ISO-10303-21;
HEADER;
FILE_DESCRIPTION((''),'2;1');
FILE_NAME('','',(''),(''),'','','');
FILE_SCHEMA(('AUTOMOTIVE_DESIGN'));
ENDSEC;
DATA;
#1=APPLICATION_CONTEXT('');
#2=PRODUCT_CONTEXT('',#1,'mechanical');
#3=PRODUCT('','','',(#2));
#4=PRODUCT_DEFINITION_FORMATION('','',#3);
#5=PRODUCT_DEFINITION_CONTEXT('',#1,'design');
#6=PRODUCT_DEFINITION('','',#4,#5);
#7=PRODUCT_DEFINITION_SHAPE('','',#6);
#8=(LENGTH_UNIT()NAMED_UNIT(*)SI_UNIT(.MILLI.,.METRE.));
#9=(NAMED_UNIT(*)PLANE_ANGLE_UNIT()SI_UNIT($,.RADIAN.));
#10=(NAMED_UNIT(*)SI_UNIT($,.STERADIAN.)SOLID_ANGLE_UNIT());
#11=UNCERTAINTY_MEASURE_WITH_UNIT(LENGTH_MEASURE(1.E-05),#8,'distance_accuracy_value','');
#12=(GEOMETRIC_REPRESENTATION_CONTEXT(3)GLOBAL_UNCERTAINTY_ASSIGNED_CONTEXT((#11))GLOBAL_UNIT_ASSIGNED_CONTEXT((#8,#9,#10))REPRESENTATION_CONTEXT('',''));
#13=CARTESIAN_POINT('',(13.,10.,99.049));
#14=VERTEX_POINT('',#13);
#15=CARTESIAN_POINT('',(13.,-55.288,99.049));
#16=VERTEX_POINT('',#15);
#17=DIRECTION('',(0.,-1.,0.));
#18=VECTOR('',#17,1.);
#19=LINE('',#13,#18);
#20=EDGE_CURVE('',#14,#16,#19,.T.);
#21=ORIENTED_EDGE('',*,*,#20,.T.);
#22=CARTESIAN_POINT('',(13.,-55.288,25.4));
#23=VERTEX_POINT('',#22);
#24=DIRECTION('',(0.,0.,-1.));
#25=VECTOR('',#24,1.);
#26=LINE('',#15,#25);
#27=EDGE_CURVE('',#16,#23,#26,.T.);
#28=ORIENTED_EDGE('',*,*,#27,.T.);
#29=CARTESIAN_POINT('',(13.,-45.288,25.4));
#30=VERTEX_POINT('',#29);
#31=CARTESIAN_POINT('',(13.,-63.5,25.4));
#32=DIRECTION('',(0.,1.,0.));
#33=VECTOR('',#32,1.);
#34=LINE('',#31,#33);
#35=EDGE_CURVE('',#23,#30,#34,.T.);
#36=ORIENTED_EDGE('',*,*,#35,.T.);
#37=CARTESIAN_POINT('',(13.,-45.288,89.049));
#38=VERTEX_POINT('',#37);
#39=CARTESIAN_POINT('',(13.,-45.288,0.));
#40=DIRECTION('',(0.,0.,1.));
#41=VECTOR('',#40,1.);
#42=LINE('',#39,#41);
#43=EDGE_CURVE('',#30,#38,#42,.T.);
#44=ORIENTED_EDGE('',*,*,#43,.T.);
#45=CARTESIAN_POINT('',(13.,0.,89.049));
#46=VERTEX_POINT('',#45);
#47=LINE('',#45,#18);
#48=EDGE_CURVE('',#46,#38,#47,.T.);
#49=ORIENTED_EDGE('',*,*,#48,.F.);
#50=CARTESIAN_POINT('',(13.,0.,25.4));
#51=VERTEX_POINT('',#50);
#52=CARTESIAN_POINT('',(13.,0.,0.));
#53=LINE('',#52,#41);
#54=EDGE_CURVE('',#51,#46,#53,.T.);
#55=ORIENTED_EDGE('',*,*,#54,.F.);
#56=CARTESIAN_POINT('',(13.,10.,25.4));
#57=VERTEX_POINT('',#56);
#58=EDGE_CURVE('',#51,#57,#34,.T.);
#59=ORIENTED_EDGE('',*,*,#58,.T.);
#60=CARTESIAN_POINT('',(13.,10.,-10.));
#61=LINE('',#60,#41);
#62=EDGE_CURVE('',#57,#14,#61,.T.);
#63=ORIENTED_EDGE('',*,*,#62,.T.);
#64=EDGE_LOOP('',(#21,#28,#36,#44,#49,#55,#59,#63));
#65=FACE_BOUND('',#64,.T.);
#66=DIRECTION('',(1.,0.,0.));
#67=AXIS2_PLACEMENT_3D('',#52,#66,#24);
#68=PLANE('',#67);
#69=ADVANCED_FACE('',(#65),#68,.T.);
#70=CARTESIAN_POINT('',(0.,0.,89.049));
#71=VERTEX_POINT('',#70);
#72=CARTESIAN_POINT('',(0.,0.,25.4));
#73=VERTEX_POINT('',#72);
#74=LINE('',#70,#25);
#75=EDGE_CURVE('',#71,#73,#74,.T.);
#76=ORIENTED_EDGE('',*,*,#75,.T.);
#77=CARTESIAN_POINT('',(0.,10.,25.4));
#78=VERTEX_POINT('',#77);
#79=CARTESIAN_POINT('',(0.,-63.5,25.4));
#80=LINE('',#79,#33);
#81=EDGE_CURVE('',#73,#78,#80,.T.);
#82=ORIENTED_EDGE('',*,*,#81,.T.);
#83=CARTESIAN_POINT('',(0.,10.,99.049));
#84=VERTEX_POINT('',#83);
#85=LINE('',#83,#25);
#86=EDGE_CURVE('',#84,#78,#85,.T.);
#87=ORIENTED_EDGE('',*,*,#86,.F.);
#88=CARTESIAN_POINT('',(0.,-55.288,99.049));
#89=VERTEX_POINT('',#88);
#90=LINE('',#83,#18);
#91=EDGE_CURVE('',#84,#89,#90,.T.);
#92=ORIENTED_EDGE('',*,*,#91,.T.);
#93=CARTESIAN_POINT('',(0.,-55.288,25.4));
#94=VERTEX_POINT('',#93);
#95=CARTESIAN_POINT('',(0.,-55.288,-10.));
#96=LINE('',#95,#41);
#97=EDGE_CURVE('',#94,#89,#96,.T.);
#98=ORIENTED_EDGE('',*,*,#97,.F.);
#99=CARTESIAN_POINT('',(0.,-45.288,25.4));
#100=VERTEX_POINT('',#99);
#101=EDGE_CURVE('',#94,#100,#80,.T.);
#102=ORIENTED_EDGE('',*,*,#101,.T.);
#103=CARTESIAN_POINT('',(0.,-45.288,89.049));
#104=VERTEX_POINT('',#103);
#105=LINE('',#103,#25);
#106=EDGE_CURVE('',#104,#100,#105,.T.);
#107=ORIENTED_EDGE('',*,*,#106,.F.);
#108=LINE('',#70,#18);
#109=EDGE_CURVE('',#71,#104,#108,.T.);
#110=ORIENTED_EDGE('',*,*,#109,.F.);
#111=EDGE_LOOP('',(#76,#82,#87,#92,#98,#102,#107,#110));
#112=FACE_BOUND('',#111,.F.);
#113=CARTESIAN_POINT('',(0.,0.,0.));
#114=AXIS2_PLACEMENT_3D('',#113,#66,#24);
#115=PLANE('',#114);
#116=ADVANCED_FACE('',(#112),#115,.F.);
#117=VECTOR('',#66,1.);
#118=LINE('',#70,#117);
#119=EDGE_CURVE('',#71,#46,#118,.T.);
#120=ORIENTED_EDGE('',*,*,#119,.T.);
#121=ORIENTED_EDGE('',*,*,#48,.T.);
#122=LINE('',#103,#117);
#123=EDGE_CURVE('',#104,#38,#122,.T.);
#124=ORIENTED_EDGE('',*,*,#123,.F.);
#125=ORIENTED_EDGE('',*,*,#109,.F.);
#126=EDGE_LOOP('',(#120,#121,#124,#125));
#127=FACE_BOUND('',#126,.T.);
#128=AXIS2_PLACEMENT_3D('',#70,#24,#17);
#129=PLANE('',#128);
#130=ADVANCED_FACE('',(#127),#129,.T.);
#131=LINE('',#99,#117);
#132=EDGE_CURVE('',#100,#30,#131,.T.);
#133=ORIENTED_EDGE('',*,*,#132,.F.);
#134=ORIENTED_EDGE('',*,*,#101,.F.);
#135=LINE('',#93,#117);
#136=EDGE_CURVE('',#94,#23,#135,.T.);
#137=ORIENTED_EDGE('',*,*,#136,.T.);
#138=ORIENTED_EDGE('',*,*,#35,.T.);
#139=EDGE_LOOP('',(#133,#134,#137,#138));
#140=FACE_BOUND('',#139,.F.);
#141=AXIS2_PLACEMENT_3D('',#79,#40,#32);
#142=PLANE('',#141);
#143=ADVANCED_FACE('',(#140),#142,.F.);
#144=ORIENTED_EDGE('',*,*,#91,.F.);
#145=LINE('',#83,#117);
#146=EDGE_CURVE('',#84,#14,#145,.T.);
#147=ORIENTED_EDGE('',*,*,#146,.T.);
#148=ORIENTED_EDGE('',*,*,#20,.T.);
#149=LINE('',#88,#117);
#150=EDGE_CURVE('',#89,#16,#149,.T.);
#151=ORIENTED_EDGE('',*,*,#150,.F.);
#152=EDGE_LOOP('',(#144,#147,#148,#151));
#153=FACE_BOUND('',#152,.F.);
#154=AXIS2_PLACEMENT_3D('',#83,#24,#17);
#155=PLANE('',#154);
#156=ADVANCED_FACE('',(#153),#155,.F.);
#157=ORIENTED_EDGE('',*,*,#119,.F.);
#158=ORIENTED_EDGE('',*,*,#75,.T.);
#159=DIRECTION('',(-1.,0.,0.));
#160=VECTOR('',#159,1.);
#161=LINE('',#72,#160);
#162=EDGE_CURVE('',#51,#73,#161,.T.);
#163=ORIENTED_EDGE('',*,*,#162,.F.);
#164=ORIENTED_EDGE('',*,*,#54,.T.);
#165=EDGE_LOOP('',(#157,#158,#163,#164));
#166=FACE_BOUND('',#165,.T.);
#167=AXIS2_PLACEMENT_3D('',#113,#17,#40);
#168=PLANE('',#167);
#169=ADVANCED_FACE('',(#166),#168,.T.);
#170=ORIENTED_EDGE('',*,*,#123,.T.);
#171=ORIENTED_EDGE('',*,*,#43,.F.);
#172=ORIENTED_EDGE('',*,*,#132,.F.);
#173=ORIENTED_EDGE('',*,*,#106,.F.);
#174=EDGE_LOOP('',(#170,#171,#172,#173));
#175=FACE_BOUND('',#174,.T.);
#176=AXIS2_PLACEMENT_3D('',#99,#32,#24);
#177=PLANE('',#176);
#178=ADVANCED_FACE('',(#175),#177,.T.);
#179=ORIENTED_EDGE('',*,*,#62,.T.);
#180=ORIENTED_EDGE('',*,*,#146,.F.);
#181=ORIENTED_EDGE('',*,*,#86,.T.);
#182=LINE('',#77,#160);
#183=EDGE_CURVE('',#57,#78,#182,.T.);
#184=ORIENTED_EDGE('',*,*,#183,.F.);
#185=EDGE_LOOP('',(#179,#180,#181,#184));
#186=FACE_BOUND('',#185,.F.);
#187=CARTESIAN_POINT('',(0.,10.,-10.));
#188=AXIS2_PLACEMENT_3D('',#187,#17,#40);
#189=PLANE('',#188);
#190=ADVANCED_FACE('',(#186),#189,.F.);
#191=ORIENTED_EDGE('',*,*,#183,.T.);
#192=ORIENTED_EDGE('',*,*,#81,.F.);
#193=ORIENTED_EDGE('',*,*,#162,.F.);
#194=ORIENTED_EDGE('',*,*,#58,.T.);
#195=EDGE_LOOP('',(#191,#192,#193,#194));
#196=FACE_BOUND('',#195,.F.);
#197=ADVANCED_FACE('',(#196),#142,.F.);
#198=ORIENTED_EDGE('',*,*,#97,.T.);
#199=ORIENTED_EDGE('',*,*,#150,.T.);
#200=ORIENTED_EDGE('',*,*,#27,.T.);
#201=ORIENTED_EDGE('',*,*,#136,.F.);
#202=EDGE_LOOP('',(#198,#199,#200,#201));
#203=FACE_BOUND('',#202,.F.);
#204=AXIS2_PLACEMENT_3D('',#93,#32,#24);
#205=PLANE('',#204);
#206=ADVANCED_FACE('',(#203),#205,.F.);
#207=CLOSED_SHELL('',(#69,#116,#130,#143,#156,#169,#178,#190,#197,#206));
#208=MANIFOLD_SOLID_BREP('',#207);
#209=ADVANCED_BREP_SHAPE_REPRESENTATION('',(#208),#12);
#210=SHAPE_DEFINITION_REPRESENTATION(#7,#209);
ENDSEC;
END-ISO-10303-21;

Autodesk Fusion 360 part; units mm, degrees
sketch "Sketch1" plane through (0, 0, 0) normal (1, 0, 0) x (0, 0, -1)
  line L0 (-25.4, 25.4) -> (25.4, 25.4)
  line L1 (25.4, 25.4) -> (25.4, -63.5)
  line L2 (25.4, -63.5) -> (-25.4, -63.5)
  line L3 (-25.4, -63.5) -> (-25.4, 25.4)
sketch "Sketch2" plane through (0, 0, 0) normal (1, 0, 0) x (0, 0, -1)
  line L0 (0, 0) -> (-89.049, 0)
  line L1 (-89.049, 0) -> (-89.049, -45.288)
  line L2 (-89.049, -45.288) -> (0, -45.288)
  line L3 (0, -45.288) -> (0, 0)
  line L4 (10, 10) -> (-99.049, 10)
  line L5 (-99.049, 10) -> (-99.049, -55.288)
  line L6 (-99.049, -55.288) -> (10, -55.288)
  line L7 (10, -55.288) -> (10, 10)
  line L8 (-25.4, -63.5) -> (-25.4, 25.4)
  dimension "d1" = 89.049
  dimension "d2" = 45.288
  dimension "d3" = 109.049
  dimension "d4" = 65.288
  dimension "d6" = 10
  dimension "d7" = 10
  dimension "d8" = 25.4
extrude "Extrude1" add sketch "Sketch2" along normal blind 13 contours L0 L2 L3 L4 L6 L7 L8 | L0 L1 L2 L4 L5 L6 L8
extrude "Extrude2" cut sketch "Sketch1" along normal blind 13
sketch "Sketch3" plane through (0, 0, 0) normal (1, 0, 0) x (0, 0, -1)
